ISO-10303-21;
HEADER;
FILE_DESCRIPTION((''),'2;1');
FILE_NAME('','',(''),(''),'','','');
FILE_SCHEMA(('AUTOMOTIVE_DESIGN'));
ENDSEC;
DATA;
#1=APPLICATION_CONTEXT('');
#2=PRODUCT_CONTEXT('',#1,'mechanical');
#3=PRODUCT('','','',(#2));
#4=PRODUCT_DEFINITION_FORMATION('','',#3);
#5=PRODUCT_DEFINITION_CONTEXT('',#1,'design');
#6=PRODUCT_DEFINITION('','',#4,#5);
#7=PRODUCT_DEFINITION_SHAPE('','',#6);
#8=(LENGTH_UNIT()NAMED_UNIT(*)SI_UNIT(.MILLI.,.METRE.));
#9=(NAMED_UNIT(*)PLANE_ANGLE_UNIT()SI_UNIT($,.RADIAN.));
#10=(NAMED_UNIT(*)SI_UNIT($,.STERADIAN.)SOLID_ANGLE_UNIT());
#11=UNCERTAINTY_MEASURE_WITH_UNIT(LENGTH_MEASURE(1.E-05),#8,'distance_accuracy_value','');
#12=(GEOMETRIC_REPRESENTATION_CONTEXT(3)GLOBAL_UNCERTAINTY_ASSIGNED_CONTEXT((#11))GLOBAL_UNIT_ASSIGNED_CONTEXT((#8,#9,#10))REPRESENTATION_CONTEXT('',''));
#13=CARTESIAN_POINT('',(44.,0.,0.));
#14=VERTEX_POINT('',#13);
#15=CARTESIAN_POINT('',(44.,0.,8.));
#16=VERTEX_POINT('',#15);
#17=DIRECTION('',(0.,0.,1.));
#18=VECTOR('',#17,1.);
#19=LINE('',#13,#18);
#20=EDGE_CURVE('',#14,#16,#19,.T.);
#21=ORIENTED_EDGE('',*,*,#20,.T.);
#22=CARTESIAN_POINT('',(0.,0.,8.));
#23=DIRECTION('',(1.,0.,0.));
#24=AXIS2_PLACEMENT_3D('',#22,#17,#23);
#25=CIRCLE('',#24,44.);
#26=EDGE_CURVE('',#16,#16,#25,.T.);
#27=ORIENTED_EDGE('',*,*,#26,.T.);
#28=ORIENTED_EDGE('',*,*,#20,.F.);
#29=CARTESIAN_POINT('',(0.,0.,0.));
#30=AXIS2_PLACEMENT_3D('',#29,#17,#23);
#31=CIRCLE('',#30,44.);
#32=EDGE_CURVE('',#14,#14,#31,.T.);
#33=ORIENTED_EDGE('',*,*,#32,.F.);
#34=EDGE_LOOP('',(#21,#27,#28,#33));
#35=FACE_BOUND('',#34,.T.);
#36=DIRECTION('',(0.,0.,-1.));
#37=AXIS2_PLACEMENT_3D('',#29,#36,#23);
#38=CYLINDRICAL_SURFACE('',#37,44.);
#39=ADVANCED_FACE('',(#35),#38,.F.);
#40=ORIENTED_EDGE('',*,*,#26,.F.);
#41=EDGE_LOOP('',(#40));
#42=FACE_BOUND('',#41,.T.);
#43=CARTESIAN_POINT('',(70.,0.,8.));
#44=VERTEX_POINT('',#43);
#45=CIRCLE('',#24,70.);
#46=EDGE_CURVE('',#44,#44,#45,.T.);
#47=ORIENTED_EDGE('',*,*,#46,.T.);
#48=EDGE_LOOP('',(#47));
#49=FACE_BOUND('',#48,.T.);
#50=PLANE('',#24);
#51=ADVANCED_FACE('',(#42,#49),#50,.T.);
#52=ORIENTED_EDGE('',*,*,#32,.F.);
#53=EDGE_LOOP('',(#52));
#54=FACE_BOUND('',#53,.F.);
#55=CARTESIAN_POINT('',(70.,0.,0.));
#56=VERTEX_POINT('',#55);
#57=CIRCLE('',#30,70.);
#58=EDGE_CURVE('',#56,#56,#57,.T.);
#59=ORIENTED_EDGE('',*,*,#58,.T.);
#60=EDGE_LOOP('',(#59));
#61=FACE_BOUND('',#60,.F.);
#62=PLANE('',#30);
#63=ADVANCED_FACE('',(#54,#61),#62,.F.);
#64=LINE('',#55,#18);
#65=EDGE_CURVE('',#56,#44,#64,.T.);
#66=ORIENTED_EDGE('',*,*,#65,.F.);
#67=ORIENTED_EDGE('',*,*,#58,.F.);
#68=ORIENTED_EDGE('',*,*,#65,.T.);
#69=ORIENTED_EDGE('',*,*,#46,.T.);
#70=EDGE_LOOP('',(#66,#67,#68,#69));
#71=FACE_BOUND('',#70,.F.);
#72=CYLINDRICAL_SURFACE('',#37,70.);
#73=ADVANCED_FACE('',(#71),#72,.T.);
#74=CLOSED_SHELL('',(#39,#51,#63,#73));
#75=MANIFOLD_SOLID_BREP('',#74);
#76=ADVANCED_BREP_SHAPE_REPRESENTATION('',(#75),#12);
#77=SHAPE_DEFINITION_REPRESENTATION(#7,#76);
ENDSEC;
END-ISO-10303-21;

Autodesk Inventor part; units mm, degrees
ref_plane "YZ Plane" through (0, 0, 0) normal (1, 0, 0) x (0, 1, 0)
ref_plane "XZ Plane" through (0, 0, 0) normal (0, 1, 0) x (-1, 0, 0)
ref_plane "XY Plane" through (0, 0, 0) normal (0, 0, 1) x (1, 0, 0)
sketch "Sketch2" plane through (0, 0, 0) normal (0, 0, 1) x (1, 0, 0)
  circle A0 centre (0, 0) radius 44
  circle A1 centre (0, 0) radius 70
  dimension "d25" = 88
  dimension "d27" = 140
extrude "Plate2" add sketch "Sketch2" along normal blind 8
equation "\"d14\" = Thickness"
equation "\"BendReliefWidth\" = Thickness"
equation "\"BendReliefDepth\" = 0.5 * Thickness"
equation "\"CornerReliefSize\" = 4 * Thickness"
equation "\"MinimumRemnant\" = 2 * Thickness"
equation "\"TransitionRadius\" = BendRadius"
equation "\"JacobiRadiusSize\" = BendRadius"
equation "\"GapSize\" = Thickness"
equation "\"Thickness\" = 8"
equation "\"BendRadius\" = 6"
properties part number "TZS 1232 FDS free flange DN90"
